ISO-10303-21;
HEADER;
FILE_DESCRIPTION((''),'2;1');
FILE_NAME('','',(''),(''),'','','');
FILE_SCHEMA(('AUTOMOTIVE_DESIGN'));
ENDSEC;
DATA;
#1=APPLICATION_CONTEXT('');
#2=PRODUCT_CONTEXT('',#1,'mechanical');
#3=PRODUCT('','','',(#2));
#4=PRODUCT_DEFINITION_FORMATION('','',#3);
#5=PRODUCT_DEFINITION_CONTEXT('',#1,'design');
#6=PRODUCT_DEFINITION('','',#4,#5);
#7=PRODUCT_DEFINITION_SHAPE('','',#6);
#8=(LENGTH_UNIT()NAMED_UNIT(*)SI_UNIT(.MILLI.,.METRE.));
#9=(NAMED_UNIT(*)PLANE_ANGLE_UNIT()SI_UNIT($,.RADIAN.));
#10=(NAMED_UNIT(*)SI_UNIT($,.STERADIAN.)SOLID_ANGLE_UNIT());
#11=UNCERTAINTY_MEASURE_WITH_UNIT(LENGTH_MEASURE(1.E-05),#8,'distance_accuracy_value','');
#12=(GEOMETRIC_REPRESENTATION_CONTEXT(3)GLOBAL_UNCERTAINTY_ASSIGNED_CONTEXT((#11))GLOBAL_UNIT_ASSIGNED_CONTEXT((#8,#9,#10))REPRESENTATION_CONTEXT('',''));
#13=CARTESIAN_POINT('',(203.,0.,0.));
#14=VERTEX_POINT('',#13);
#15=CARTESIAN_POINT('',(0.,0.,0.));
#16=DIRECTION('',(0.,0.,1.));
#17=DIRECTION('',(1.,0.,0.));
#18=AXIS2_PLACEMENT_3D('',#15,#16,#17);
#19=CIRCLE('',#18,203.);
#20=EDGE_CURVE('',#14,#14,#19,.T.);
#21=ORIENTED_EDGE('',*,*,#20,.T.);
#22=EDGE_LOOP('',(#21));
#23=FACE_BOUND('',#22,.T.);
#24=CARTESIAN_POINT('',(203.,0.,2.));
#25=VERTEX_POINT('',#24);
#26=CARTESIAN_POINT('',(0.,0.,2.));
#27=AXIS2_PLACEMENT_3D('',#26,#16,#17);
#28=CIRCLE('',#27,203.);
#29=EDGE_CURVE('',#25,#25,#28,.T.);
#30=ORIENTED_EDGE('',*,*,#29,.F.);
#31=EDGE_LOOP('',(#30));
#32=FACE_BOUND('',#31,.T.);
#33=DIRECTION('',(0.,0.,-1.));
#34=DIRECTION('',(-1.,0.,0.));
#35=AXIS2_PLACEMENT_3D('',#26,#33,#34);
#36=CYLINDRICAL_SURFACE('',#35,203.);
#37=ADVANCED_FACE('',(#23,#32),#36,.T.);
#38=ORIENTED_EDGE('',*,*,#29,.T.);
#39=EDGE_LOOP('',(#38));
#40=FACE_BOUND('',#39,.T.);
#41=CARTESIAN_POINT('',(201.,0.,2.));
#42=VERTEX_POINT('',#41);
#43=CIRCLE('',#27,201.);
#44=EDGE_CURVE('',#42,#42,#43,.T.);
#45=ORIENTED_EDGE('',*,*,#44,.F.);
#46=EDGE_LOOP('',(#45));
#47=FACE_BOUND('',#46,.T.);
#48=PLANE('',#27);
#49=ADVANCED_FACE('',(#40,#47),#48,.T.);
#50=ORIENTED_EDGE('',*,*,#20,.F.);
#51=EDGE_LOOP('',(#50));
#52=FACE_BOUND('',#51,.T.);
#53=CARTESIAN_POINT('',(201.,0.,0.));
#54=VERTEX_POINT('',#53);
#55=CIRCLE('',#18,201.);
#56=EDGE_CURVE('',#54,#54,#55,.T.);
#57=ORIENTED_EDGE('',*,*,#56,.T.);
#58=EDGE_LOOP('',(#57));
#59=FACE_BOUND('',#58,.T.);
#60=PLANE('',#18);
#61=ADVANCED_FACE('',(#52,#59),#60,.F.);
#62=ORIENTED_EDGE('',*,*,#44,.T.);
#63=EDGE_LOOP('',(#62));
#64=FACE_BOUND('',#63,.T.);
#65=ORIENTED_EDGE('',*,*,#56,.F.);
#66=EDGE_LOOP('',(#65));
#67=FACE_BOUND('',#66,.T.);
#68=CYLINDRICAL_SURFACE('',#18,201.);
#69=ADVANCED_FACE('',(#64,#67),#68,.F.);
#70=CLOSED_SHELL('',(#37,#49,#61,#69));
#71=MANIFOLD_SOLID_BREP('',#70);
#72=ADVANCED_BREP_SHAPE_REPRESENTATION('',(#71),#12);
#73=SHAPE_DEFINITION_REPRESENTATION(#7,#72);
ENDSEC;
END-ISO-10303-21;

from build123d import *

# Parameters (mm, degrees)
SKETCH2_R           = 203
BOSS_EXTRUDE1_DEPTH = 2
SKETCH3_R           = 201
CUT_EXTRUDE1_DEPTH  = 3


with BuildPart() as part:
    # Sketch2 → Boss-Extrude1 (new body)
    with BuildSketch(Plane.XY):
        Circle(SKETCH2_R)
    extrude(amount=BOSS_EXTRUDE1_DEPTH)

    # Sketch3 → Cut-Extrude1 (cut, through all)
    with BuildSketch(Plane.XY.offset(2)):
        Circle(SKETCH3_R)
    extrude(amount=-CUT_EXTRUDE1_DEPTH, mode=Mode.SUBTRACT)


solid = part.part
